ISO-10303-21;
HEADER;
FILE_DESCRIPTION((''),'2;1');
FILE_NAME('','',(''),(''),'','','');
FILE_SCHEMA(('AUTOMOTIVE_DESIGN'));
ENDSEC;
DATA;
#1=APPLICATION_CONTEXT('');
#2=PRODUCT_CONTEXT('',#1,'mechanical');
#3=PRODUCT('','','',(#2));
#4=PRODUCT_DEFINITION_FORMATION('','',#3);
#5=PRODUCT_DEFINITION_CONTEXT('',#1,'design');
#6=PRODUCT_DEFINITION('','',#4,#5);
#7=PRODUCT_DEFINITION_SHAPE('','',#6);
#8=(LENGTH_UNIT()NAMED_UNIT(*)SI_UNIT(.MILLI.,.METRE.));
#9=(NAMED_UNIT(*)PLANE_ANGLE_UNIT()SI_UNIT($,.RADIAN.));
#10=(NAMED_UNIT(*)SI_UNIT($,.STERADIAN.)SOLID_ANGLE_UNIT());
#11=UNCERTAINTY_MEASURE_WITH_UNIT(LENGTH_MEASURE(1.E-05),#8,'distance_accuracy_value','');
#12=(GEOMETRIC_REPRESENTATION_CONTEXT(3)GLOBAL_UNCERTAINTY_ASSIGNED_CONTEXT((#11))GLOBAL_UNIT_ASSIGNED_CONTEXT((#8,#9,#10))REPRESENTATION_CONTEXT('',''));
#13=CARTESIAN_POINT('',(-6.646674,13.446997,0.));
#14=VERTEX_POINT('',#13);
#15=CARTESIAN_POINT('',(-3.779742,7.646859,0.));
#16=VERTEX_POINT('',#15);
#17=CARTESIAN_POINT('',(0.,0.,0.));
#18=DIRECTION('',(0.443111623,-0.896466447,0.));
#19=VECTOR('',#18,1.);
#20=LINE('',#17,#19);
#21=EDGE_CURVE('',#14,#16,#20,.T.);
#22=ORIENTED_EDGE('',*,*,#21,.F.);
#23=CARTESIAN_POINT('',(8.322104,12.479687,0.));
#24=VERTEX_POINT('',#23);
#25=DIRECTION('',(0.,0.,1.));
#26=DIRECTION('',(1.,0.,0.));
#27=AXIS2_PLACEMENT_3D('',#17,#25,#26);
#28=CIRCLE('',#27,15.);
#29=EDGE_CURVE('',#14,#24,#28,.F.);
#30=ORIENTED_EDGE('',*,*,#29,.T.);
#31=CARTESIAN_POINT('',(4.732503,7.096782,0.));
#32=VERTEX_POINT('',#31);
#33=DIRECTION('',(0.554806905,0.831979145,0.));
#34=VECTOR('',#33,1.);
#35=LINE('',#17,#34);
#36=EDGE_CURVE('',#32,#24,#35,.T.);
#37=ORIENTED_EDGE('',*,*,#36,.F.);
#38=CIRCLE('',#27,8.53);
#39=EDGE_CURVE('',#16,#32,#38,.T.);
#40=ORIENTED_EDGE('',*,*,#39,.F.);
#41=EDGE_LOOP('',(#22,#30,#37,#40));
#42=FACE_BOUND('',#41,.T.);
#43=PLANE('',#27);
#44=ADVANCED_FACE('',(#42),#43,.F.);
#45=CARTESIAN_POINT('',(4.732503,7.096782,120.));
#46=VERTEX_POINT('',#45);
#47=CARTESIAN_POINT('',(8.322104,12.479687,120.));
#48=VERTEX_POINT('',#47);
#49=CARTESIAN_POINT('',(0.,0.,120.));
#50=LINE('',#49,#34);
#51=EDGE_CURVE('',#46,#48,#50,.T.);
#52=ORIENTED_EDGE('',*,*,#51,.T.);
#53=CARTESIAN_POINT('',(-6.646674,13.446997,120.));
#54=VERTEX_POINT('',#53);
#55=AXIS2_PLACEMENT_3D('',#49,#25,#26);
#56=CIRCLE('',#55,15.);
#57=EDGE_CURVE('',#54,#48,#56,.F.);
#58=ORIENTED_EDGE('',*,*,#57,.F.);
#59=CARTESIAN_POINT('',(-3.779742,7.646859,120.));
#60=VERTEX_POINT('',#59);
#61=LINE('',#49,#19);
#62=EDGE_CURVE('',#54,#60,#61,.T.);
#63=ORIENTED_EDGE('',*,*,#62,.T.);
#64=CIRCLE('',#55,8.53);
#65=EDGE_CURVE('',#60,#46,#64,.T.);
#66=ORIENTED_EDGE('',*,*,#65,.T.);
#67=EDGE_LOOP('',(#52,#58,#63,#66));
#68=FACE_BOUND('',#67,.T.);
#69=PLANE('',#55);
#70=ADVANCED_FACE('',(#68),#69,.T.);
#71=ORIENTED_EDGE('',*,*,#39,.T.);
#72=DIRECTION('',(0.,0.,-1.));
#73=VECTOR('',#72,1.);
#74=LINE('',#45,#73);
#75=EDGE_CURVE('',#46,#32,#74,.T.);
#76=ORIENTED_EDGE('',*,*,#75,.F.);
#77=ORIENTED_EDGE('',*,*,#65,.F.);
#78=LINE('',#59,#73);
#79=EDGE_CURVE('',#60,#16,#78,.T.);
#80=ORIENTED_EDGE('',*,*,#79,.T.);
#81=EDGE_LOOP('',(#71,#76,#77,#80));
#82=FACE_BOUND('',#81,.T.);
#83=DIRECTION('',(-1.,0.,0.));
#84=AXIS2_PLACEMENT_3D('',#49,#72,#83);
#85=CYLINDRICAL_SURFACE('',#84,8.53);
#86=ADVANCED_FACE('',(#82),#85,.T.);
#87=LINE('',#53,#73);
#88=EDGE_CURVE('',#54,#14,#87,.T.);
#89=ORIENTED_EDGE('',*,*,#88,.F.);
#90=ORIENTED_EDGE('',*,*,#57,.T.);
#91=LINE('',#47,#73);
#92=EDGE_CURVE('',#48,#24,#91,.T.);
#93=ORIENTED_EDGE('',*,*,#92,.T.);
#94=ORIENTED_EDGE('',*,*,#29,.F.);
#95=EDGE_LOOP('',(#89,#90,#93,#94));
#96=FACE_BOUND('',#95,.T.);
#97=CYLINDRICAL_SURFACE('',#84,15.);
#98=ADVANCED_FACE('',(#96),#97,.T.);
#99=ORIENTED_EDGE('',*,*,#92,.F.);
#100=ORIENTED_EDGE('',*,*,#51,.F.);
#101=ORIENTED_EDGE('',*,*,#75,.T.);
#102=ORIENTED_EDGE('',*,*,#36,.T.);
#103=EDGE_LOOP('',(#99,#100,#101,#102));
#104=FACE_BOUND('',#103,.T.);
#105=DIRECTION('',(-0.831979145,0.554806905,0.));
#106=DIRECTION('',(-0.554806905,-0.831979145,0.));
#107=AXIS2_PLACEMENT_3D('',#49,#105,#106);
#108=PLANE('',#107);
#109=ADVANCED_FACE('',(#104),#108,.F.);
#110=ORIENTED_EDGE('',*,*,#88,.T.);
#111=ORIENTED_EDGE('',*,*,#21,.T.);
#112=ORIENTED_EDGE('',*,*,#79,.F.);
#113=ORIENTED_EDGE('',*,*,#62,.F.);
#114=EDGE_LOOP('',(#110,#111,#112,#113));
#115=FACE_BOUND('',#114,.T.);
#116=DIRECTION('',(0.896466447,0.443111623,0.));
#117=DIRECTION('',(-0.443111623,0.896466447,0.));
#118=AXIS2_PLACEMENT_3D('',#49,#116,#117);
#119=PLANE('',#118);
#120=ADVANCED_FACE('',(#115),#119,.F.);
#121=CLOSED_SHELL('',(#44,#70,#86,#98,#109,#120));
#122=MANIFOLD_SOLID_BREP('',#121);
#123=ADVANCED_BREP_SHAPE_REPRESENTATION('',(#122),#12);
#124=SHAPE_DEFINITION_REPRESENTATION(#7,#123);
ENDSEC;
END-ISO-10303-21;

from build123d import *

# Parameters (mm, degrees)
SKETCH1_R           = 8.53
BOSS_EXTRUDE1_DEPTH = 120


with BuildPart() as part:
    # Sketch1 → Boss-Extrude1 (new body)
    with BuildSketch(Plane.XY):
        Circle(SKETCH1_R)
        with BuildLine():
            ThreePointArc((-6.646674341, 13.446996699), (0.96730952, 14.968777916), (8.322103575, 12.479687179))
            Line((8.322103575, 12.479687179), (0, 0))
            Line((0, 0), (-6.646674341, 13.446996699))
        make_face()
        with BuildLine():
            ThreePointArc((4.7325029, 7.096782109), (0.55007668, 8.512245041), (-3.779742142, 7.646858789))
            Line((-3.779742142, 7.646858789), (0, 0))
            Line((0, 0), (4.7325029, 7.096782109))
        make_face()
        with BuildLine():
            Line((0, 0), (-3.779742142, 7.646858789))
            ThreePointArc((-3.779742142, 7.646858789), (-4.501094285, -7.245760846), (8.53, 0))
            ThreePointArc((8.53, 0), (7.520942419, 4.024465819), (4.7325029, 7.096782109))
            Line((4.7325029, 7.096782109), (0, 0))
        make_face()
    extrude(amount=BOSS_EXTRUDE1_DEPTH)


solid = part.part
